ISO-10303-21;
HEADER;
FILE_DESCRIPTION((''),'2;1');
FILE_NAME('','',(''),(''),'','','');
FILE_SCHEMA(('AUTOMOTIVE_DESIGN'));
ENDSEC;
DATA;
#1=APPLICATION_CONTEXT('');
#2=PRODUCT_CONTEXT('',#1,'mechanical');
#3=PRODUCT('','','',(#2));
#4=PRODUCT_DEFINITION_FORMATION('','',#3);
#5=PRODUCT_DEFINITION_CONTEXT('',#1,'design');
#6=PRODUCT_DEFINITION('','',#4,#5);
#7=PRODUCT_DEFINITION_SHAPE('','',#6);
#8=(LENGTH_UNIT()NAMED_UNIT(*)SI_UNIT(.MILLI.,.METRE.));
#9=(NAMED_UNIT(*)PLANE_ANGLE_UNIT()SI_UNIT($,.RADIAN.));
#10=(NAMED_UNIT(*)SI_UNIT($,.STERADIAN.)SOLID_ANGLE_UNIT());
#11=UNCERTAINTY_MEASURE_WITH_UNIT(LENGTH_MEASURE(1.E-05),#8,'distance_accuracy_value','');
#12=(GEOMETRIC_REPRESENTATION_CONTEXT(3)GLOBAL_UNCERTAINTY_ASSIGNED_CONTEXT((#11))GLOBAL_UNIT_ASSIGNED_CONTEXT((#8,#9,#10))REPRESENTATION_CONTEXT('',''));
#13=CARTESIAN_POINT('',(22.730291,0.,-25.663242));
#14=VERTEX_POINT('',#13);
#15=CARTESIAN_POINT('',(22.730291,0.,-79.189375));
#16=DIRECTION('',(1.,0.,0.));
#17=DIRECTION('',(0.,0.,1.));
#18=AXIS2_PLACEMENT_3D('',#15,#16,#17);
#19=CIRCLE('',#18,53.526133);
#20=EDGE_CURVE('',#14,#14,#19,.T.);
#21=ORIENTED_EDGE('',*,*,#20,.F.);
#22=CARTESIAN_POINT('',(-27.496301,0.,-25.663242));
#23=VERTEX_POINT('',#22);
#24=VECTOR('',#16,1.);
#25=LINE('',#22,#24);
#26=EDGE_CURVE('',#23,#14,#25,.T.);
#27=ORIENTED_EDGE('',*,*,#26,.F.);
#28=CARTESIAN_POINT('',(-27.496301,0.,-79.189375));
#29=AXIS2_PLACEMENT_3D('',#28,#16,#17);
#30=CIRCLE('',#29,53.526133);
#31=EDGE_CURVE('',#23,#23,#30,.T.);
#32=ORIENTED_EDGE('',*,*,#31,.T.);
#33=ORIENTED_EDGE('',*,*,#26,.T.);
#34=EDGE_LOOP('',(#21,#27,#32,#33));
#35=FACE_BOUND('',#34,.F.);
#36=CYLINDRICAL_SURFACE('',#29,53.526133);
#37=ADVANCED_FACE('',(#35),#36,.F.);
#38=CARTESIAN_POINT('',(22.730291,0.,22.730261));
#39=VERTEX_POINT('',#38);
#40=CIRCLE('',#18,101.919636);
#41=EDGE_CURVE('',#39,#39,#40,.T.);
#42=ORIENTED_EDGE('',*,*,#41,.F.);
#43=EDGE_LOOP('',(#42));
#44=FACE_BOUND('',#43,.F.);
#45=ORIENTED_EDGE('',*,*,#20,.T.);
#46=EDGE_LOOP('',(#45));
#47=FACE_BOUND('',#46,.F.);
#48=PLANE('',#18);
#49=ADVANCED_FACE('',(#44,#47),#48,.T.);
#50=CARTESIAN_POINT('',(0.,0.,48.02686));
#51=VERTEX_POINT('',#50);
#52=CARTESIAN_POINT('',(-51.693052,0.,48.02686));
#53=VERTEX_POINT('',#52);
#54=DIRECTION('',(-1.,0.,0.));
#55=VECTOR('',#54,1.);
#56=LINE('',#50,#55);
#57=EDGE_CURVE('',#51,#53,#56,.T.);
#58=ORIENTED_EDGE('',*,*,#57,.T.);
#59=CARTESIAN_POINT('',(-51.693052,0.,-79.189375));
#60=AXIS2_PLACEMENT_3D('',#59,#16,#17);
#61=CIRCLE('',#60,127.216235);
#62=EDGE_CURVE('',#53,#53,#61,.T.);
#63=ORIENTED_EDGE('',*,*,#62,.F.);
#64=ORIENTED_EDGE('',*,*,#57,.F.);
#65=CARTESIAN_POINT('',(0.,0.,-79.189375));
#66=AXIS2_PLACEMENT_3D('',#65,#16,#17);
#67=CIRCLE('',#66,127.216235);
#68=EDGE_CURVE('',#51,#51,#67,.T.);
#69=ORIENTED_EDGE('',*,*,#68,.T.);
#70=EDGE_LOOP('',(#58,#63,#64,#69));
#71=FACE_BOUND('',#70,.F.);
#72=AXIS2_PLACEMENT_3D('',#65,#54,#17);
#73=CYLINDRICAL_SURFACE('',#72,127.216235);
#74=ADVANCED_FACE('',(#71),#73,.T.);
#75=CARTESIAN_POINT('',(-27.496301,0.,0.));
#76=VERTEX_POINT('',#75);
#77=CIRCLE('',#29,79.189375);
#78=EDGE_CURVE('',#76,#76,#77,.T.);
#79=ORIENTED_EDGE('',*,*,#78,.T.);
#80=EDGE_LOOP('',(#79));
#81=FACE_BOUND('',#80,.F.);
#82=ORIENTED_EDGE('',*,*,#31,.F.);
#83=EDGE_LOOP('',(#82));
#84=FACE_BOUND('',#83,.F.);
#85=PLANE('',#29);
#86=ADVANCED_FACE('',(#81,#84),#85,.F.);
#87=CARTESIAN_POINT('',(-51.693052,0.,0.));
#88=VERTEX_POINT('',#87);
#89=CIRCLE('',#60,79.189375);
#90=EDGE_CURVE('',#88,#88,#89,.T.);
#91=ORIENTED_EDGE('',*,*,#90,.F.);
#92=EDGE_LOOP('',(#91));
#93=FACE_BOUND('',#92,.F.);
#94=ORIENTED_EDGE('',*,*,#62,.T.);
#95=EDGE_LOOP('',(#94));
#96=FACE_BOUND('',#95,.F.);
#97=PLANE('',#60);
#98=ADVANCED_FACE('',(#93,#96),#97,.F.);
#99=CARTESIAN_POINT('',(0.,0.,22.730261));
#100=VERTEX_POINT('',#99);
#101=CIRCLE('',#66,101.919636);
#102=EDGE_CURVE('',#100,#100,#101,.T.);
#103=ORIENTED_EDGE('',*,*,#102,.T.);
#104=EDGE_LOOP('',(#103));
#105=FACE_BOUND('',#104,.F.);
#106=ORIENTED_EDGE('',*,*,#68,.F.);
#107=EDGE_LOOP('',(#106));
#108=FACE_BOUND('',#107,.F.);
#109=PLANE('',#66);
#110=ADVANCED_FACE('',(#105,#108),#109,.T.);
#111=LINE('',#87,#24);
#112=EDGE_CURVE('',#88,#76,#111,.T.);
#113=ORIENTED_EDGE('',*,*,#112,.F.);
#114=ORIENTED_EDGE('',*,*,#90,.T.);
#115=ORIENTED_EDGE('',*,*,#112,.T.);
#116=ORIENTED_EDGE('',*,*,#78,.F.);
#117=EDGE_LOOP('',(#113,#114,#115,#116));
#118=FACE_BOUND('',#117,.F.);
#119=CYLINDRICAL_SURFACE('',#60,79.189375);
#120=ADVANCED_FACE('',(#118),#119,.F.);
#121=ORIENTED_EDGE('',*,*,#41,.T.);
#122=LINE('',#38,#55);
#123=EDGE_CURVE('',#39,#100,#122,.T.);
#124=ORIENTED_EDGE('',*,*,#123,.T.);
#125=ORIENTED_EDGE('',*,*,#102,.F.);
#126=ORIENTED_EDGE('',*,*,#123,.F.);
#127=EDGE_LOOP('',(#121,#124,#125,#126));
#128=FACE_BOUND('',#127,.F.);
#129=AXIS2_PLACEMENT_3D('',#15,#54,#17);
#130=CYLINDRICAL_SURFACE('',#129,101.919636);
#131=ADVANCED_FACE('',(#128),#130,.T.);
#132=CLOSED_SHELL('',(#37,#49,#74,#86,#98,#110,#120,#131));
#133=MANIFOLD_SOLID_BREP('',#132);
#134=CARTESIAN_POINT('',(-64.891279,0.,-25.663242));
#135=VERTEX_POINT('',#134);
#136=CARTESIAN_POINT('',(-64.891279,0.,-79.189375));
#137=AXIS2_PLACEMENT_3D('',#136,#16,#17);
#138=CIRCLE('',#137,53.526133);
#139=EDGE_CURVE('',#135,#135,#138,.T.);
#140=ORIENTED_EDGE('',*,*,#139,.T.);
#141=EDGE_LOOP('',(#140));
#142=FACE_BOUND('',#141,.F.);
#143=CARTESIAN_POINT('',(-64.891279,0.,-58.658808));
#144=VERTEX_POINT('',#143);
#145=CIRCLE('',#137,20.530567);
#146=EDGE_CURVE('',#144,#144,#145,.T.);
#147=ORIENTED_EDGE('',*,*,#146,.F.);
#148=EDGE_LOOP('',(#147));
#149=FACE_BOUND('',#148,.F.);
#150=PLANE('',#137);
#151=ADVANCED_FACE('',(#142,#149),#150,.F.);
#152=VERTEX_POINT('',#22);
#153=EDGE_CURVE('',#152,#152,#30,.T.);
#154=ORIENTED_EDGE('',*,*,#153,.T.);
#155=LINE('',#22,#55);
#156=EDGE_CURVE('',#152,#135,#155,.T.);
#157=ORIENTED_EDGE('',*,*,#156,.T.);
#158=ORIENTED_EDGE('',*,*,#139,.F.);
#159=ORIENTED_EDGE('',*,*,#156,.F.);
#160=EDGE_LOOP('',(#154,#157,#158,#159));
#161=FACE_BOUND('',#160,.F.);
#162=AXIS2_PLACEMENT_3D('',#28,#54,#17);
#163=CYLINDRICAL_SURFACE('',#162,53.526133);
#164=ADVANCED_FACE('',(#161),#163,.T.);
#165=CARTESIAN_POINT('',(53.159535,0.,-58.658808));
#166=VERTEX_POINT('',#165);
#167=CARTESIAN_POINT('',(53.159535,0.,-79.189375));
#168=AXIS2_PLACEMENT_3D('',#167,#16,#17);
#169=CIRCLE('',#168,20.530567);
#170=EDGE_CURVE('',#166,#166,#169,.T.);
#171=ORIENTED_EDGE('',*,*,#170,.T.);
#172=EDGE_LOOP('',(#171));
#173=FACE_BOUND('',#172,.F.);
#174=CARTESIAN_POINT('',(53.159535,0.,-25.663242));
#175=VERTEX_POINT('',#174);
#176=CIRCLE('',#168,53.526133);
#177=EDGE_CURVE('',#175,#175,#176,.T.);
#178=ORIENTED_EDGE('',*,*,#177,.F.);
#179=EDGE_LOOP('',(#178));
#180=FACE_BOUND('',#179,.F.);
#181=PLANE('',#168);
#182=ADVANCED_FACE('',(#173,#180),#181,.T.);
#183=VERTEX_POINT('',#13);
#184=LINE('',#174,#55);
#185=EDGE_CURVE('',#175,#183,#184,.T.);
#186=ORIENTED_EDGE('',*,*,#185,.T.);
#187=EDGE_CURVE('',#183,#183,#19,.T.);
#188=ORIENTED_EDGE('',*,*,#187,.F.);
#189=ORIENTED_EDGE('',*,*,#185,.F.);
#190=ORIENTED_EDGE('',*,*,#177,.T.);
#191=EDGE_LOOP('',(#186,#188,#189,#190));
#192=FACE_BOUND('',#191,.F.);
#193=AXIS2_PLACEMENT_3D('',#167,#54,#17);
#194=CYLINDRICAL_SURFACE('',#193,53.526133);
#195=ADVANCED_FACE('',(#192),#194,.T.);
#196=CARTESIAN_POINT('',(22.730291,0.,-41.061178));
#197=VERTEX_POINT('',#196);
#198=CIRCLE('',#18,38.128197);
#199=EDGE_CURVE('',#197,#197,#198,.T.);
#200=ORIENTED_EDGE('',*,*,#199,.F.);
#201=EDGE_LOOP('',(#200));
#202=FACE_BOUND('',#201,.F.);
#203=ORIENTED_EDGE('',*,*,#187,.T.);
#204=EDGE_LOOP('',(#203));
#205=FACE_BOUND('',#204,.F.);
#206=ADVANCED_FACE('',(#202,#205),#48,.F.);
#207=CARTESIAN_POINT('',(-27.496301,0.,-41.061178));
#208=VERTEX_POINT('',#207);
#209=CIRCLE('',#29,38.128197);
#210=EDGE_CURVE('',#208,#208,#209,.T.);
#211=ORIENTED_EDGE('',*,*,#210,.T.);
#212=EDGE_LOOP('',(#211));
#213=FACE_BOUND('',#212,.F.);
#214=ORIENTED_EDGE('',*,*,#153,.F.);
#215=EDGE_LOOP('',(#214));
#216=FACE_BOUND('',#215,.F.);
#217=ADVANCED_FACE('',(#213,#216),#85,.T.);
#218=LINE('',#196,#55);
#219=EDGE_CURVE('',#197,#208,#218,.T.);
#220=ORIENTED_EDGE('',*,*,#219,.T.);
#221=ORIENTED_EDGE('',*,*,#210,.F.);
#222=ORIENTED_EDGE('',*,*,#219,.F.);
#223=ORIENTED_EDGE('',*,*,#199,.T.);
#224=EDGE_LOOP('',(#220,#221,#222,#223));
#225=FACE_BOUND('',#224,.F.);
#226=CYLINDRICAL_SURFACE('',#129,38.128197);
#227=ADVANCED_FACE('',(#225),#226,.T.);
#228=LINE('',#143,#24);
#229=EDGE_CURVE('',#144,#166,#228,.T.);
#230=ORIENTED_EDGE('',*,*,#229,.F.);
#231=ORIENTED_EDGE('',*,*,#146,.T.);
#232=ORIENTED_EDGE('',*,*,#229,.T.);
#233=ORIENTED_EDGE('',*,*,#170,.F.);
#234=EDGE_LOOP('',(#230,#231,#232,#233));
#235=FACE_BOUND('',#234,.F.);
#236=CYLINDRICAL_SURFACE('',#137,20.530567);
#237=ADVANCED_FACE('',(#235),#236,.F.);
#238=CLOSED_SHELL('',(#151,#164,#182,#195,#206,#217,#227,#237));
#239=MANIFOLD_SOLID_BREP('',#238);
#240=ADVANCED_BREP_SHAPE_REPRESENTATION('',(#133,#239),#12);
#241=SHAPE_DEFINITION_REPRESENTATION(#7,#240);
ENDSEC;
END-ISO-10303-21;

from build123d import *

# Parameters (mm, degrees)
F0_W = 27.4963006377
F0_H = 22.7302610874


with BuildPart() as f1:
    # F0 (on Front) → F1 (revolve)
    with BuildSketch(Plane.XZ):
        with Locations((-13.7481503189, 11.3651305437)):
            Rectangle(F0_W, F0_H)
        Polygon((0, 48.0268597603), (-51.6930520535, 48.0268597603), (-51.6930520535, 0), (-27.4963006377, 0), (-27.4963006377, 22.7302610874), (0, 22.7302610874), align=None)
        Polygon((22.7302908897, 22.7302610874), (0, 22.7302610874), (0, 0), (-27.4963006377, 0), (-27.4963006377, -25.663241744), (22.7302908897, -25.663241744), align=None)
    revolve(axis=Axis((3.2995641232, 0, -79.1893750429), (1, 0, 0)))


with BuildPart() as f1b:
    # F0 (on Front) → F1, piece 2 (revolve)
    with BuildSketch(Plane.XZ):
        Polygon((-27.4963006377, -41.0611778498), (-27.4963006377, -25.663241744), (-64.8912787437, -25.663241744), (-64.8912787437, -58.6588084698), (53.1595349312, -58.6588084698), (53.1595349312, -25.663241744), (22.7302908897, -25.663241744), (22.7302908897, -41.0611778498), align=None)
    revolve(axis=Axis((3.2995641232, 0, -79.1893750429), (1, 0, 0)))


solid = Compound([f1.part, f1b.part])
